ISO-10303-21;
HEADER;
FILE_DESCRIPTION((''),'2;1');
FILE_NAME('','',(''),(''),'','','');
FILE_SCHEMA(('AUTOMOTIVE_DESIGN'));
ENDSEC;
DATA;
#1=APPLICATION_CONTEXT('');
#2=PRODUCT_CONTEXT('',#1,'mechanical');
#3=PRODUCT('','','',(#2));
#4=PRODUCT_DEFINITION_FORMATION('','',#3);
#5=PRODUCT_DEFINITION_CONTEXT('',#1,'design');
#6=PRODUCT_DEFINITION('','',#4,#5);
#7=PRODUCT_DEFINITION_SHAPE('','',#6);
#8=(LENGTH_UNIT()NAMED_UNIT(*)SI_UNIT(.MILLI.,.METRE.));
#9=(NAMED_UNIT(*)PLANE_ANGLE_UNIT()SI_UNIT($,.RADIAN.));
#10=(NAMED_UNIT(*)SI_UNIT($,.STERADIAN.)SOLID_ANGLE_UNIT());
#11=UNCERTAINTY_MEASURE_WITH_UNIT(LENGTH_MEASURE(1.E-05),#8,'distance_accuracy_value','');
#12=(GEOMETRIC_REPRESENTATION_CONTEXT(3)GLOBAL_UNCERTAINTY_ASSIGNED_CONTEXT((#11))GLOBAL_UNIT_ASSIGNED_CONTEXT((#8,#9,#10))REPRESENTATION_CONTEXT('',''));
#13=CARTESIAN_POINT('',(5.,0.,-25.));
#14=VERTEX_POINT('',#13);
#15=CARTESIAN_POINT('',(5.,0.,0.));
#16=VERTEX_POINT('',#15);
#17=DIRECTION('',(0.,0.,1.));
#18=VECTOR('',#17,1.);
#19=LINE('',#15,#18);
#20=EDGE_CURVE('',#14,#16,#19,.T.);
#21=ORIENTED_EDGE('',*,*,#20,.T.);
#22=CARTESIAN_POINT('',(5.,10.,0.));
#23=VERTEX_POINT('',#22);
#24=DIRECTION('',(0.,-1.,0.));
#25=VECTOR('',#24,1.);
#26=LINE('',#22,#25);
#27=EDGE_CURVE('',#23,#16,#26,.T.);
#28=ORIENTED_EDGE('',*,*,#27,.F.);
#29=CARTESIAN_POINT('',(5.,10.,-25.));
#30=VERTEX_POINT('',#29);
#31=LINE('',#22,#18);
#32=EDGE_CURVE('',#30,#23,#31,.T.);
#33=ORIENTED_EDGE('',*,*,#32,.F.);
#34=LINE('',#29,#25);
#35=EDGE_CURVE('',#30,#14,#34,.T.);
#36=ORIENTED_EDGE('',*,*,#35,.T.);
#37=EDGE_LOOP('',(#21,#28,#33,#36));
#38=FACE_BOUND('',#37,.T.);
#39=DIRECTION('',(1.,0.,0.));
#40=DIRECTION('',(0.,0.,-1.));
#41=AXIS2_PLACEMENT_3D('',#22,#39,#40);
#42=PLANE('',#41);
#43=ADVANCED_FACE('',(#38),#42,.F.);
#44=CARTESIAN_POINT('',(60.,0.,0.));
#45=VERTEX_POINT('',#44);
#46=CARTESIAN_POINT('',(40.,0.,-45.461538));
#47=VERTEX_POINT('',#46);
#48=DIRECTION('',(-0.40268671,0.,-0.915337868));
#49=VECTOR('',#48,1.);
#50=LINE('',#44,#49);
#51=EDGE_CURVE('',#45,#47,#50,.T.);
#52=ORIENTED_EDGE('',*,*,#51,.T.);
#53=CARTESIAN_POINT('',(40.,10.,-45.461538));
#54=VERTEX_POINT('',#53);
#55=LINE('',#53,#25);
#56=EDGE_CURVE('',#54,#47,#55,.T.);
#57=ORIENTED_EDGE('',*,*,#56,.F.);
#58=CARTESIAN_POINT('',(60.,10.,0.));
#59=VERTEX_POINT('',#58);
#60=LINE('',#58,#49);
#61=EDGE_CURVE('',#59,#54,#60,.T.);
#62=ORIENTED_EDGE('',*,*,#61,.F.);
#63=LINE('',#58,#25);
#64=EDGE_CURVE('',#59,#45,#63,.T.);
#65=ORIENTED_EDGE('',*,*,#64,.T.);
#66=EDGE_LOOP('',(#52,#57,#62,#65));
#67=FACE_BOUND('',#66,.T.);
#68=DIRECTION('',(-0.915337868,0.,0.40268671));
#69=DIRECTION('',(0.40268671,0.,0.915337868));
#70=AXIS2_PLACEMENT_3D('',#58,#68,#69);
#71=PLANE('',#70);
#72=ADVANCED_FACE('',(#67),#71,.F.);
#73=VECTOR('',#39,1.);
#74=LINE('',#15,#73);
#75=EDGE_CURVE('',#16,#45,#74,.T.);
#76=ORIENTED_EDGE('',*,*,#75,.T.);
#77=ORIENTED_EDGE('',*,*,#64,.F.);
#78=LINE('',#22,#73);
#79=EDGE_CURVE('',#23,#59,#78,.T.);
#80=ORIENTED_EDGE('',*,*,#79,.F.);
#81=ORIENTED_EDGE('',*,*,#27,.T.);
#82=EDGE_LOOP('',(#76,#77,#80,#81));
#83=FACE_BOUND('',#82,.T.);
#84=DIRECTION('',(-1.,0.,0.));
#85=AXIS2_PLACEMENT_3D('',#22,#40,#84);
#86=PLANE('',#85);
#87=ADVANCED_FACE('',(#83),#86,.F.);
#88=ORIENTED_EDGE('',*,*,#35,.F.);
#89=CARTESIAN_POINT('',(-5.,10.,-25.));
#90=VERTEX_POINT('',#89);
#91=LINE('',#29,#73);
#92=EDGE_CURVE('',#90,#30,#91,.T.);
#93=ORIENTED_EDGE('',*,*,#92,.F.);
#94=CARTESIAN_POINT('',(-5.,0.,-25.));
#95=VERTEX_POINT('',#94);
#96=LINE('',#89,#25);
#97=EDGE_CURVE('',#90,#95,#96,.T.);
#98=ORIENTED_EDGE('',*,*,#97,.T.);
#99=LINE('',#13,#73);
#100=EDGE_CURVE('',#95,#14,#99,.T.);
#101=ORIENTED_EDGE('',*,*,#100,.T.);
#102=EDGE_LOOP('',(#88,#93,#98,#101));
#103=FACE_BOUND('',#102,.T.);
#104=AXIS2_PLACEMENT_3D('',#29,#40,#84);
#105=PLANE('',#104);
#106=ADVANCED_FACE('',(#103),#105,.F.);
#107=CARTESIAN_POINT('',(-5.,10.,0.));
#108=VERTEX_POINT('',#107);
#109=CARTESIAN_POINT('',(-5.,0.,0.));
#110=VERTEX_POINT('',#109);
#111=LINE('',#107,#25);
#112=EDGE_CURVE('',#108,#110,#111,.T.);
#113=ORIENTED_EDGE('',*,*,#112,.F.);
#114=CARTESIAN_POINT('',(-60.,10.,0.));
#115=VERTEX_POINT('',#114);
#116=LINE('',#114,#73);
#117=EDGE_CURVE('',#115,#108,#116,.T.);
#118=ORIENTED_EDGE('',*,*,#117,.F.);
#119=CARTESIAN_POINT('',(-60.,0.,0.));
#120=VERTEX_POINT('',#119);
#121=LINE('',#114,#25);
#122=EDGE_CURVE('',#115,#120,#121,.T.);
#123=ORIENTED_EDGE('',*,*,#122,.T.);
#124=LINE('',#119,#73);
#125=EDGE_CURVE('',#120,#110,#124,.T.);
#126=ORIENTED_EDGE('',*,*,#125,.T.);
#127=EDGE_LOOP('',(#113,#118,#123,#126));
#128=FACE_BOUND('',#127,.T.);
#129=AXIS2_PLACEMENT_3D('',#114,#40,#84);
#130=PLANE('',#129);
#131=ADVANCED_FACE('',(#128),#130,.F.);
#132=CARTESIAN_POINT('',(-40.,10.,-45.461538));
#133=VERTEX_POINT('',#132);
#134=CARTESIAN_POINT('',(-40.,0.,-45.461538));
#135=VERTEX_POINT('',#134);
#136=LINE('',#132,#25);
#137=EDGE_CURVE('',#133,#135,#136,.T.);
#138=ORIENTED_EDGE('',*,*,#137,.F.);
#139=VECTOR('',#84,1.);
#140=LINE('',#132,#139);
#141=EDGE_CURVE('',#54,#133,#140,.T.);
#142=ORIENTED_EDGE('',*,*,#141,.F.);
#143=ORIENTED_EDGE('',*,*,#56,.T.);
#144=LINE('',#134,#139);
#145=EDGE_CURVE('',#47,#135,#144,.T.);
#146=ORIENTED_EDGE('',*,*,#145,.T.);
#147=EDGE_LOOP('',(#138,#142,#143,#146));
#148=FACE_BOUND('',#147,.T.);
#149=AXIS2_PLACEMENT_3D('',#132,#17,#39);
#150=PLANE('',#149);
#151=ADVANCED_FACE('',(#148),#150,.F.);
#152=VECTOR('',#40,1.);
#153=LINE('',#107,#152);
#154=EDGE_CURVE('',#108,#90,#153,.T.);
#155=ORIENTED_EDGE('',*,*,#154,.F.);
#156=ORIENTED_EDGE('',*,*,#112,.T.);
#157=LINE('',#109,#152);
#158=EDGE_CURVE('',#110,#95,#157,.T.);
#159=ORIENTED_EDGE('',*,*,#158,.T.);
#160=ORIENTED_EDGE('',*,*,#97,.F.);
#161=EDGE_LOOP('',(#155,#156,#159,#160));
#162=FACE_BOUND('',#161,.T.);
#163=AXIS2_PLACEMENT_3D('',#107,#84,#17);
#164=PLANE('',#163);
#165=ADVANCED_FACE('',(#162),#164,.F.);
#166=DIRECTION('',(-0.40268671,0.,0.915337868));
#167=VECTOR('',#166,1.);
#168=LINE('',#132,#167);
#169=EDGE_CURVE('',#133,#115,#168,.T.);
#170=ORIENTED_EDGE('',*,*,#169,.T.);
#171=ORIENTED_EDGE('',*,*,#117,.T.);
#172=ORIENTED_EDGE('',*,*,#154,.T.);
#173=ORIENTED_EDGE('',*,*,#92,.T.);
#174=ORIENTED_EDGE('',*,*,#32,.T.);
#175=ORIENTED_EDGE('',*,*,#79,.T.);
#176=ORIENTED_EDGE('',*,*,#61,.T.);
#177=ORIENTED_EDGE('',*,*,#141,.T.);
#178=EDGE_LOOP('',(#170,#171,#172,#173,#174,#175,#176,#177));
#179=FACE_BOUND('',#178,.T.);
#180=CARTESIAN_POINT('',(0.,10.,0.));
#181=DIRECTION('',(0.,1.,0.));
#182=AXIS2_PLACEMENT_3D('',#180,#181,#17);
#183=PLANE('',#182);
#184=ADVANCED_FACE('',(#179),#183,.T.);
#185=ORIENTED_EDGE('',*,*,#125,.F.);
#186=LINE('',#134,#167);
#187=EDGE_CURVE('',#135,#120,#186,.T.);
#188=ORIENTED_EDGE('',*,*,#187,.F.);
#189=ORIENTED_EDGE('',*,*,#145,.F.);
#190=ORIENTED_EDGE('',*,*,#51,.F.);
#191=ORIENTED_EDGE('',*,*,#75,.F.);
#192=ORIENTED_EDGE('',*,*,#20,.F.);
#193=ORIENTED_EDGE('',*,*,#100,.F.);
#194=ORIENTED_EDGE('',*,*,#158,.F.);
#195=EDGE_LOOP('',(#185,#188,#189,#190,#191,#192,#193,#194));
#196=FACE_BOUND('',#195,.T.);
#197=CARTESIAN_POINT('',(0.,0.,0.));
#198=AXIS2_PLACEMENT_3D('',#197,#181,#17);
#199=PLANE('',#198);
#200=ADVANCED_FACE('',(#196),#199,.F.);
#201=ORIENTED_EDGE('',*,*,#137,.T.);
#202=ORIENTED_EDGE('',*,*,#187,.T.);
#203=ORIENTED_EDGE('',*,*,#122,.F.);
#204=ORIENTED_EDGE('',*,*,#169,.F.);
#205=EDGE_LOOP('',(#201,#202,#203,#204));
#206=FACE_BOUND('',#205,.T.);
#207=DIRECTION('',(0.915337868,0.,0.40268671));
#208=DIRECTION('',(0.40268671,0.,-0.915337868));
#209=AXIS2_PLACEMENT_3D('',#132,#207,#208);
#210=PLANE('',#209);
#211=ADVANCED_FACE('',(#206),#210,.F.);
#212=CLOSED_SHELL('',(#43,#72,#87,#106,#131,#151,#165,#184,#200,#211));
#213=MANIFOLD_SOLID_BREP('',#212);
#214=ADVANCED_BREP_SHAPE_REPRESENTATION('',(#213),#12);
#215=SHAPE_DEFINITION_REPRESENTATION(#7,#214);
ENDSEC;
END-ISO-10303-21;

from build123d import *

# Parameters (mm, degrees)
EXTRUDE_1_DEPTH = 10


with BuildPart() as part:
    # Эскиз1 → Бобышка-Вытянуть1 (new body)
    with BuildSketch(Plane(origin=(0, 0, 0), x_dir=(1, 0, 0), z_dir=(0, 1, 0))):
        Polygon((-60, 0), (-5, 0), (-5, 25), (5, 25), (5, 0), (60, 0), (40, 45.461538462), (-40, 45.461538462), align=None)
    extrude(amount=EXTRUDE_1_DEPTH)


solid = part.part
